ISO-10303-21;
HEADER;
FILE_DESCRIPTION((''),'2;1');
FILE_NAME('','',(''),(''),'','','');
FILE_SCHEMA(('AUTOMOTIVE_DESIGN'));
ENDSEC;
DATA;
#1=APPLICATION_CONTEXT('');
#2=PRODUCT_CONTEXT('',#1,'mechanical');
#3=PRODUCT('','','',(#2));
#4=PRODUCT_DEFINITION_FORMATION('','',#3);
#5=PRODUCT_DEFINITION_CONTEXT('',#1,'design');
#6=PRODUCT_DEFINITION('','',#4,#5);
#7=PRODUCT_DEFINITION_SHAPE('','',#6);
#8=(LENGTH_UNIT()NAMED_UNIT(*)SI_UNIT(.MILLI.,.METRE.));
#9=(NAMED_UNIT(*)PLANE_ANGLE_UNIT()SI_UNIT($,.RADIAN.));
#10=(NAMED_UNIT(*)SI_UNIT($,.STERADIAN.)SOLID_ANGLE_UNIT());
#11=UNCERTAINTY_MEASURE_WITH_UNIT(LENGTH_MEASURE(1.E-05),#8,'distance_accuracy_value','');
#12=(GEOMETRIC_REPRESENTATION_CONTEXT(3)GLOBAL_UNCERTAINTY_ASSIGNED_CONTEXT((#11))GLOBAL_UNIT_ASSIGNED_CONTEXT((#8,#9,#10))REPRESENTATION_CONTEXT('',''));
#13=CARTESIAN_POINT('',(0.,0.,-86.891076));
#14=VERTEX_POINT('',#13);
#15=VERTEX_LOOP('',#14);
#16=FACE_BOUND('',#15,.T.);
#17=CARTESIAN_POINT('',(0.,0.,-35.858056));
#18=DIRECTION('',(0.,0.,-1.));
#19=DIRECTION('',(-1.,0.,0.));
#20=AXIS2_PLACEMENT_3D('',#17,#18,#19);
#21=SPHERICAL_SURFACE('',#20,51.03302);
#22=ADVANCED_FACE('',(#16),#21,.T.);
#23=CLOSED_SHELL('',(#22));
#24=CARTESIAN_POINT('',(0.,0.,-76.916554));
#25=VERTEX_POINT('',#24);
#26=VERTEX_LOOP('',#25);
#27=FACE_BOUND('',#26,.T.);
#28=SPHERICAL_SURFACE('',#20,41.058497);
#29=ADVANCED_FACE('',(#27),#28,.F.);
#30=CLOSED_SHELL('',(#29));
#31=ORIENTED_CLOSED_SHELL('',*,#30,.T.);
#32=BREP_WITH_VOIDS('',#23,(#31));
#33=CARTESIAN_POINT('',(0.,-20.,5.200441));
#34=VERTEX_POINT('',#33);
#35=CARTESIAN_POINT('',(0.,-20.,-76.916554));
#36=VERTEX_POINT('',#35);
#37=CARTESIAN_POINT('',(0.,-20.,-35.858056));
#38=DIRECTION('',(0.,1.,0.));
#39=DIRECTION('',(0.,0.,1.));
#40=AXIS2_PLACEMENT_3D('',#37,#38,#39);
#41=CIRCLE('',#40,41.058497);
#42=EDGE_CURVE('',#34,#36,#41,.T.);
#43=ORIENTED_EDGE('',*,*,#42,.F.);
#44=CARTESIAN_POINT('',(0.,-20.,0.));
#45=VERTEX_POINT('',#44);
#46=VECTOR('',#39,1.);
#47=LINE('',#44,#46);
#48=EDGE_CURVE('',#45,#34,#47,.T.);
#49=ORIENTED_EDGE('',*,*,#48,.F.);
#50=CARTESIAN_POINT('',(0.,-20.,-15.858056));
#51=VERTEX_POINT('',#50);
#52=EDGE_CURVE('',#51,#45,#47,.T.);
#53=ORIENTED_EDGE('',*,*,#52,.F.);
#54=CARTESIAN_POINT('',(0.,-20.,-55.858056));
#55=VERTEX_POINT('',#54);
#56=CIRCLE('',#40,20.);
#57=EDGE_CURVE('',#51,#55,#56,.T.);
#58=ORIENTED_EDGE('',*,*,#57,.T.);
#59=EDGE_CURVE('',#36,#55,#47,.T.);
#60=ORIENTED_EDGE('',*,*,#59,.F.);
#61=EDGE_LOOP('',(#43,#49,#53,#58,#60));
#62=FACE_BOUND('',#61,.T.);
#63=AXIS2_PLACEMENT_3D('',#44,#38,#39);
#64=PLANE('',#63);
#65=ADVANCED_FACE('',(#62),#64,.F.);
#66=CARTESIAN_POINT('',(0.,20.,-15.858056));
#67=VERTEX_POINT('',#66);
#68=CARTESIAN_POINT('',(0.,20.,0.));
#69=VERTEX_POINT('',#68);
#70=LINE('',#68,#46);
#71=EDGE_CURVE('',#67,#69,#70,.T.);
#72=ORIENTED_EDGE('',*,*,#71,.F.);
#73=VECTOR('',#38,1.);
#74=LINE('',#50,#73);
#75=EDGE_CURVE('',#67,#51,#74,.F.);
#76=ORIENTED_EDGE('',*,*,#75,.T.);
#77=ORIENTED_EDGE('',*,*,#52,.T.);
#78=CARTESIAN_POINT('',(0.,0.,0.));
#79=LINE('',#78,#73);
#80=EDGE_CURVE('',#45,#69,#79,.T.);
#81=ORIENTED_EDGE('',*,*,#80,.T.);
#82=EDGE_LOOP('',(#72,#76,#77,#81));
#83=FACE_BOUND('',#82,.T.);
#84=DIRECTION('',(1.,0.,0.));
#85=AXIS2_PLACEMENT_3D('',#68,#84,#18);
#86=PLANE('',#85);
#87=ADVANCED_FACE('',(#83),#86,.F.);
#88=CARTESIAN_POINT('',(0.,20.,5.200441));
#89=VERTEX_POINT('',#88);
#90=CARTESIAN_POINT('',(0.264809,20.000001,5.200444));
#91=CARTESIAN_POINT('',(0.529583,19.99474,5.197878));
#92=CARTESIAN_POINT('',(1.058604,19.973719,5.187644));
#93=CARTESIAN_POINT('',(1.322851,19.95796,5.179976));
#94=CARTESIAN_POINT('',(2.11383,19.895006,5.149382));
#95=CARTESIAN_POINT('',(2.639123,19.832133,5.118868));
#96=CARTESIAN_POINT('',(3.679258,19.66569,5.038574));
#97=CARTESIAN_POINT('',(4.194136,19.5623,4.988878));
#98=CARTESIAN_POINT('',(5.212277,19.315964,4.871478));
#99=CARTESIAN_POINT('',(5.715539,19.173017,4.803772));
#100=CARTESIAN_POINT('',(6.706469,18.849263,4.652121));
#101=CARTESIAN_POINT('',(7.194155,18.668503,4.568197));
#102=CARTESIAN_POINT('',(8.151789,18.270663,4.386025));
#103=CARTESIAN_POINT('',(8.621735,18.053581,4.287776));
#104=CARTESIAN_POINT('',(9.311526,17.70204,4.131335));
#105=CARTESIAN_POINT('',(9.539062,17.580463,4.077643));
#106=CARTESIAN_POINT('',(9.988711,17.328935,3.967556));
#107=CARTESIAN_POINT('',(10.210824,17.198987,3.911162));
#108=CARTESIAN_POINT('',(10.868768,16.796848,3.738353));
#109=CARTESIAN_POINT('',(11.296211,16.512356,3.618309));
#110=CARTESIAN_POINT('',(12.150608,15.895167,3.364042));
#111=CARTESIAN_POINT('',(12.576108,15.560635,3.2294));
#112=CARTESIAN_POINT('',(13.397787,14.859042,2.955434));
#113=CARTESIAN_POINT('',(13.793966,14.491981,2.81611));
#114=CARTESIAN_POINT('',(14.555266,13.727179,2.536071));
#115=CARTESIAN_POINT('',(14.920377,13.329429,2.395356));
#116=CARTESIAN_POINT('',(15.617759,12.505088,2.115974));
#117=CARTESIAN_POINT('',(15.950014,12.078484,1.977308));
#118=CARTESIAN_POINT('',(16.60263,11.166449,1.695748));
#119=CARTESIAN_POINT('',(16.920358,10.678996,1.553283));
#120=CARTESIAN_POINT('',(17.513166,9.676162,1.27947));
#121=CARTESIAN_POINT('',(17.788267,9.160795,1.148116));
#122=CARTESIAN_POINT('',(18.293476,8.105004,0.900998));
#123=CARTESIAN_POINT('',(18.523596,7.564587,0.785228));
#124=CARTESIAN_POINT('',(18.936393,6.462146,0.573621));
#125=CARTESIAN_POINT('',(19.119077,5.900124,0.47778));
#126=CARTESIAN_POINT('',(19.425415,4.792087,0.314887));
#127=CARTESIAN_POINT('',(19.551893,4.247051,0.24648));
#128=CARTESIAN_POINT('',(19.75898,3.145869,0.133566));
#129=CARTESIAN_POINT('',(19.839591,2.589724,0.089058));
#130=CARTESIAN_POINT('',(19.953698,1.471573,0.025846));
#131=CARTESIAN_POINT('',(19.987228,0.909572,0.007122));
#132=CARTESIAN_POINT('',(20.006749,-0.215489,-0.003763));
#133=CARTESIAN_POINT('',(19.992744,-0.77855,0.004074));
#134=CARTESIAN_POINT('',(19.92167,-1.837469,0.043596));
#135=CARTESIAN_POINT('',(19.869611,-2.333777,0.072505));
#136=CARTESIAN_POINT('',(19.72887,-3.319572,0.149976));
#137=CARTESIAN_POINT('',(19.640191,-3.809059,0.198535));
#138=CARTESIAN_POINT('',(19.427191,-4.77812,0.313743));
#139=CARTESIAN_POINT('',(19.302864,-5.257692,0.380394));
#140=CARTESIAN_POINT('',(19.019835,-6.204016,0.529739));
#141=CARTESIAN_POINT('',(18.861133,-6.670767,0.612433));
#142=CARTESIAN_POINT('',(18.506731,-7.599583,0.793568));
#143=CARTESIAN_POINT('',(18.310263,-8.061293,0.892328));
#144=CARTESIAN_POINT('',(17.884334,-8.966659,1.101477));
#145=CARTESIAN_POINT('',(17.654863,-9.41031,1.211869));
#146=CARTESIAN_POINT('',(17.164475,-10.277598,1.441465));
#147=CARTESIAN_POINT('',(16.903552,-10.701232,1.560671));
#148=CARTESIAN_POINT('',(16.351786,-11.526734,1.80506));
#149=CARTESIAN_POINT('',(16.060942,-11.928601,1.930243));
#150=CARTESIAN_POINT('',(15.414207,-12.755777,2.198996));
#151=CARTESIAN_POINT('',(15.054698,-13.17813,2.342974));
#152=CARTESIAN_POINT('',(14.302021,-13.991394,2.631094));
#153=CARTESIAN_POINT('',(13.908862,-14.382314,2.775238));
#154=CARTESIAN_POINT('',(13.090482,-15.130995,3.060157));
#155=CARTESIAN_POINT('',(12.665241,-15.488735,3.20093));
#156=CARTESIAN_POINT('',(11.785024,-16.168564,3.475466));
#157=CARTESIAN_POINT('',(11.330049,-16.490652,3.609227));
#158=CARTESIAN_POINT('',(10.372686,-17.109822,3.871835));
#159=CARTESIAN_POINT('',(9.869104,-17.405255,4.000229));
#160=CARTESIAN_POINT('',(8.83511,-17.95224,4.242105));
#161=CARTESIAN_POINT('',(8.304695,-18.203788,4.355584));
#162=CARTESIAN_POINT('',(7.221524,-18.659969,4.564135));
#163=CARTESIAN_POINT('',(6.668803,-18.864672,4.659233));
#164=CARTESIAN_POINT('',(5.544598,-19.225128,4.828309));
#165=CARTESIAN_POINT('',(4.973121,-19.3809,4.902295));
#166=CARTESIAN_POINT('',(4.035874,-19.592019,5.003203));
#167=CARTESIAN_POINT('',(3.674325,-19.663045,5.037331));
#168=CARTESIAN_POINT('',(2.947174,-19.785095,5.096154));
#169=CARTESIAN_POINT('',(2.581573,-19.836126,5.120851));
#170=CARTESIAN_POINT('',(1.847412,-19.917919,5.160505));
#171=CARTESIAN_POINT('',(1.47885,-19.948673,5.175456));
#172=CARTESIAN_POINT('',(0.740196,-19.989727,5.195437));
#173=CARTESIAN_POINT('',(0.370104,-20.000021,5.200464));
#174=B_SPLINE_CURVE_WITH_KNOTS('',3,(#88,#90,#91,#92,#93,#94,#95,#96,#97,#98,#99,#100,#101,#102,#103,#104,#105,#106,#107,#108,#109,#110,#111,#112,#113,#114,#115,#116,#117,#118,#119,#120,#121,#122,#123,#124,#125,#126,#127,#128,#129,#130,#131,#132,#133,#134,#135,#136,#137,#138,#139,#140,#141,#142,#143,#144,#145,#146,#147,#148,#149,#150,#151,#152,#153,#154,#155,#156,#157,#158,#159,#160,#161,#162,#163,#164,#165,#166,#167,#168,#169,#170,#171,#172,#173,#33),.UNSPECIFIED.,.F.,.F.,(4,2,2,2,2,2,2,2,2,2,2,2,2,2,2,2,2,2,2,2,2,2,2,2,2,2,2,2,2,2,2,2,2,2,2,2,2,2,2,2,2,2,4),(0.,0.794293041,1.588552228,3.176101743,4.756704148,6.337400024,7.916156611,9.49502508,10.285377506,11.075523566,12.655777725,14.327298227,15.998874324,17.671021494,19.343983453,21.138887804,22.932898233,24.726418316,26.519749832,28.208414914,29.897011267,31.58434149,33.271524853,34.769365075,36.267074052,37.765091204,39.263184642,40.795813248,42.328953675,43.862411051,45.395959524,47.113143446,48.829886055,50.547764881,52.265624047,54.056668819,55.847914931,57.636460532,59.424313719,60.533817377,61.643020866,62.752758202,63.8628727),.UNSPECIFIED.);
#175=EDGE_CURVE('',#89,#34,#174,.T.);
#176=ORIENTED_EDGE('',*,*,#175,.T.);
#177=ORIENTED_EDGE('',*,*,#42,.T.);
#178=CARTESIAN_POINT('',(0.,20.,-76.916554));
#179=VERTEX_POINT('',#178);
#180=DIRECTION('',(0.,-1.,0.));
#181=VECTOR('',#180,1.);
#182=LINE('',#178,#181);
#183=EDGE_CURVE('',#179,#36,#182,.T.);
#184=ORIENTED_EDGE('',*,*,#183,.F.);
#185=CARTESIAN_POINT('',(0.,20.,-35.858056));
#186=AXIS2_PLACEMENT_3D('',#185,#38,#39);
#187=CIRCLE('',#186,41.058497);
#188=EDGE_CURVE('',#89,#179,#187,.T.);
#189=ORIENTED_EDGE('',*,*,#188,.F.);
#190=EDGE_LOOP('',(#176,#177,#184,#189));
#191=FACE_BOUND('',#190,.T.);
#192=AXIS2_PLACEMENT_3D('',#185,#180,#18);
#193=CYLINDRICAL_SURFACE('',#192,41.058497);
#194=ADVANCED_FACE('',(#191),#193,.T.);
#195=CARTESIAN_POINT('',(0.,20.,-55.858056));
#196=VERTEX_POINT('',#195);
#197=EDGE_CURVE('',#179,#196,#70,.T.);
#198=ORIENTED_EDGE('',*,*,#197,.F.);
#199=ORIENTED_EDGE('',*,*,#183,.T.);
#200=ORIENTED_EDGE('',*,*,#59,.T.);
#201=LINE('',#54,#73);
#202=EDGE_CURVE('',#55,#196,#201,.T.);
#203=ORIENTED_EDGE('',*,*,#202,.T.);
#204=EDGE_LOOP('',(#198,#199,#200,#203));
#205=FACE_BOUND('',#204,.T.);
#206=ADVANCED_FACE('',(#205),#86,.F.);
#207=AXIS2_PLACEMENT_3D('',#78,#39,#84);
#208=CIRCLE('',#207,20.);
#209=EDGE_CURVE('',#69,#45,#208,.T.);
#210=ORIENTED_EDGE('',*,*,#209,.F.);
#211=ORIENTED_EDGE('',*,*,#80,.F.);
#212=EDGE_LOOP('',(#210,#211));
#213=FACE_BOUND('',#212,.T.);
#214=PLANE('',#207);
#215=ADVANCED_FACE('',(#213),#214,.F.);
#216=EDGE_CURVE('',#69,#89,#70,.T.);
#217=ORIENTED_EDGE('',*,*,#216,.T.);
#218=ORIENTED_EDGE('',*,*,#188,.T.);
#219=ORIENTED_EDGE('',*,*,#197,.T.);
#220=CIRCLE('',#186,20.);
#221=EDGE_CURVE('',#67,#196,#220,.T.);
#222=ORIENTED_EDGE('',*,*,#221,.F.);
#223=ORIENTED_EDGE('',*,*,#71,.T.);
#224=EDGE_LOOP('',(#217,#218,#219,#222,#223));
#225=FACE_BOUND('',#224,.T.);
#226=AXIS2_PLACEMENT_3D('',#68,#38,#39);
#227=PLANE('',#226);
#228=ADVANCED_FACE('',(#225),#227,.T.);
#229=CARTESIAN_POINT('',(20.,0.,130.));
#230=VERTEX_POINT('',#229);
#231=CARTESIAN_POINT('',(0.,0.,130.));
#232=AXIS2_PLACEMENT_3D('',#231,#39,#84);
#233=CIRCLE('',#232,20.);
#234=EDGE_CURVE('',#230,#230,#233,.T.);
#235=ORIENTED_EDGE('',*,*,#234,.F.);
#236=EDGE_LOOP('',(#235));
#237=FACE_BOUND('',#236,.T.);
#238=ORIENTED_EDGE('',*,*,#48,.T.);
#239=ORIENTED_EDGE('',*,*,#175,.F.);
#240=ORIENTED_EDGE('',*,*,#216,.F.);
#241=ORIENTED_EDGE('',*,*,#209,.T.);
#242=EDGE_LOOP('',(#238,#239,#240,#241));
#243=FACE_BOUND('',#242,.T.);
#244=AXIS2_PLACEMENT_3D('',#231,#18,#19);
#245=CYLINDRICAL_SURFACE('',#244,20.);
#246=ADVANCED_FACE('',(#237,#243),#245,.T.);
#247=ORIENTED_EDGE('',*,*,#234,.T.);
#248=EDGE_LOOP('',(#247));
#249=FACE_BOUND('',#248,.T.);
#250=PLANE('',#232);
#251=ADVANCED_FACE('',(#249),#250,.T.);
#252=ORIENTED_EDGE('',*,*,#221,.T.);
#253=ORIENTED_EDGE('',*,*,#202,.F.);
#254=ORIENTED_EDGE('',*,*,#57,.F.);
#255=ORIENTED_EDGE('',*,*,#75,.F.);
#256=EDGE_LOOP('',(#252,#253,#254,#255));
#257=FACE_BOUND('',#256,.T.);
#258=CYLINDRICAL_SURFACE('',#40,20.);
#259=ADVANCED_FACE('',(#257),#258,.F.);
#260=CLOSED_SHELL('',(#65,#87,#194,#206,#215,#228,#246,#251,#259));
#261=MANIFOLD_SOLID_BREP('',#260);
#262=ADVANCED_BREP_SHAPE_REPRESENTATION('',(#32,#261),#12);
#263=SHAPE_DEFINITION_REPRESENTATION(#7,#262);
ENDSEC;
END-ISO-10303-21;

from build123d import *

# Parameters (mm, degrees)
SKETCH1_R           = 20
BOSS_EXTRUDE1_DEPTH = 130
BOSS_EXTRUDE2_DEPTH = 20
SKETCH8_R           = 20
CUT_EXTRUDE1_DEPTH  = 40


with BuildPart() as part:
    # Sketch1 → Boss-Extrude1 (new body)
    with BuildSketch(Plane.XY):
        Circle(SKETCH1_R)
    extrude(amount=BOSS_EXTRUDE1_DEPTH)

    # Sketch2 → Boss-Extrude2 (add, symmetric)
    with BuildSketch(Plane(origin=(0, 0, 0), x_dir=(1, 0, 0), z_dir=(0, 1, 0))):
        with BuildLine():
            ThreePointArc((41.058497276, 35.858056257), (29.032741849, 64.890798106), (0, 76.916553533))
            Line((0, 76.916553533), (0, -5.200441019))
            ThreePointArc((0, -5.200441019), (29.032741849, 6.825314408), (41.058497276, 35.858056257))
        make_face()
    extrude(amount=BOSS_EXTRUDE2_DEPTH, both=True)

    # Sketch8 → Cut-Extrude1 (cut)
    with BuildSketch(Plane(origin=(0, 20, 0), x_dir=(1, 0, 0), z_dir=(0, 1, 0))):
        with Locations((0, 35.858056257)):
            Circle(SKETCH8_R)
    extrude(amount=-CUT_EXTRUDE1_DEPTH, mode=Mode.SUBTRACT)


with BuildPart() as body_2:
    # Sketch2<9> → Revolve5 (revolve)
    with BuildSketch(Plane(origin=(0, 0, 0), x_dir=(1, 0, 0), z_dir=(0, 1, 0))):
        with BuildLine():
            Line((0, 76.916553533), (0, 86.891075769))
            ThreePointArc((0, 86.891075769), (-51.033019512, 35.858056257), (0, -15.174963255))
            Line((0, -15.174963255), (0, -5.200441019))
            ThreePointArc((0, -5.200441019), (-41.058497276, 35.858056257), (0, 76.916553533))
        make_face()
    revolve(axis=Axis((0, 0, -86.891075769), (0, 0, 1)))


solid = Compound([part.part, body_2.part])
